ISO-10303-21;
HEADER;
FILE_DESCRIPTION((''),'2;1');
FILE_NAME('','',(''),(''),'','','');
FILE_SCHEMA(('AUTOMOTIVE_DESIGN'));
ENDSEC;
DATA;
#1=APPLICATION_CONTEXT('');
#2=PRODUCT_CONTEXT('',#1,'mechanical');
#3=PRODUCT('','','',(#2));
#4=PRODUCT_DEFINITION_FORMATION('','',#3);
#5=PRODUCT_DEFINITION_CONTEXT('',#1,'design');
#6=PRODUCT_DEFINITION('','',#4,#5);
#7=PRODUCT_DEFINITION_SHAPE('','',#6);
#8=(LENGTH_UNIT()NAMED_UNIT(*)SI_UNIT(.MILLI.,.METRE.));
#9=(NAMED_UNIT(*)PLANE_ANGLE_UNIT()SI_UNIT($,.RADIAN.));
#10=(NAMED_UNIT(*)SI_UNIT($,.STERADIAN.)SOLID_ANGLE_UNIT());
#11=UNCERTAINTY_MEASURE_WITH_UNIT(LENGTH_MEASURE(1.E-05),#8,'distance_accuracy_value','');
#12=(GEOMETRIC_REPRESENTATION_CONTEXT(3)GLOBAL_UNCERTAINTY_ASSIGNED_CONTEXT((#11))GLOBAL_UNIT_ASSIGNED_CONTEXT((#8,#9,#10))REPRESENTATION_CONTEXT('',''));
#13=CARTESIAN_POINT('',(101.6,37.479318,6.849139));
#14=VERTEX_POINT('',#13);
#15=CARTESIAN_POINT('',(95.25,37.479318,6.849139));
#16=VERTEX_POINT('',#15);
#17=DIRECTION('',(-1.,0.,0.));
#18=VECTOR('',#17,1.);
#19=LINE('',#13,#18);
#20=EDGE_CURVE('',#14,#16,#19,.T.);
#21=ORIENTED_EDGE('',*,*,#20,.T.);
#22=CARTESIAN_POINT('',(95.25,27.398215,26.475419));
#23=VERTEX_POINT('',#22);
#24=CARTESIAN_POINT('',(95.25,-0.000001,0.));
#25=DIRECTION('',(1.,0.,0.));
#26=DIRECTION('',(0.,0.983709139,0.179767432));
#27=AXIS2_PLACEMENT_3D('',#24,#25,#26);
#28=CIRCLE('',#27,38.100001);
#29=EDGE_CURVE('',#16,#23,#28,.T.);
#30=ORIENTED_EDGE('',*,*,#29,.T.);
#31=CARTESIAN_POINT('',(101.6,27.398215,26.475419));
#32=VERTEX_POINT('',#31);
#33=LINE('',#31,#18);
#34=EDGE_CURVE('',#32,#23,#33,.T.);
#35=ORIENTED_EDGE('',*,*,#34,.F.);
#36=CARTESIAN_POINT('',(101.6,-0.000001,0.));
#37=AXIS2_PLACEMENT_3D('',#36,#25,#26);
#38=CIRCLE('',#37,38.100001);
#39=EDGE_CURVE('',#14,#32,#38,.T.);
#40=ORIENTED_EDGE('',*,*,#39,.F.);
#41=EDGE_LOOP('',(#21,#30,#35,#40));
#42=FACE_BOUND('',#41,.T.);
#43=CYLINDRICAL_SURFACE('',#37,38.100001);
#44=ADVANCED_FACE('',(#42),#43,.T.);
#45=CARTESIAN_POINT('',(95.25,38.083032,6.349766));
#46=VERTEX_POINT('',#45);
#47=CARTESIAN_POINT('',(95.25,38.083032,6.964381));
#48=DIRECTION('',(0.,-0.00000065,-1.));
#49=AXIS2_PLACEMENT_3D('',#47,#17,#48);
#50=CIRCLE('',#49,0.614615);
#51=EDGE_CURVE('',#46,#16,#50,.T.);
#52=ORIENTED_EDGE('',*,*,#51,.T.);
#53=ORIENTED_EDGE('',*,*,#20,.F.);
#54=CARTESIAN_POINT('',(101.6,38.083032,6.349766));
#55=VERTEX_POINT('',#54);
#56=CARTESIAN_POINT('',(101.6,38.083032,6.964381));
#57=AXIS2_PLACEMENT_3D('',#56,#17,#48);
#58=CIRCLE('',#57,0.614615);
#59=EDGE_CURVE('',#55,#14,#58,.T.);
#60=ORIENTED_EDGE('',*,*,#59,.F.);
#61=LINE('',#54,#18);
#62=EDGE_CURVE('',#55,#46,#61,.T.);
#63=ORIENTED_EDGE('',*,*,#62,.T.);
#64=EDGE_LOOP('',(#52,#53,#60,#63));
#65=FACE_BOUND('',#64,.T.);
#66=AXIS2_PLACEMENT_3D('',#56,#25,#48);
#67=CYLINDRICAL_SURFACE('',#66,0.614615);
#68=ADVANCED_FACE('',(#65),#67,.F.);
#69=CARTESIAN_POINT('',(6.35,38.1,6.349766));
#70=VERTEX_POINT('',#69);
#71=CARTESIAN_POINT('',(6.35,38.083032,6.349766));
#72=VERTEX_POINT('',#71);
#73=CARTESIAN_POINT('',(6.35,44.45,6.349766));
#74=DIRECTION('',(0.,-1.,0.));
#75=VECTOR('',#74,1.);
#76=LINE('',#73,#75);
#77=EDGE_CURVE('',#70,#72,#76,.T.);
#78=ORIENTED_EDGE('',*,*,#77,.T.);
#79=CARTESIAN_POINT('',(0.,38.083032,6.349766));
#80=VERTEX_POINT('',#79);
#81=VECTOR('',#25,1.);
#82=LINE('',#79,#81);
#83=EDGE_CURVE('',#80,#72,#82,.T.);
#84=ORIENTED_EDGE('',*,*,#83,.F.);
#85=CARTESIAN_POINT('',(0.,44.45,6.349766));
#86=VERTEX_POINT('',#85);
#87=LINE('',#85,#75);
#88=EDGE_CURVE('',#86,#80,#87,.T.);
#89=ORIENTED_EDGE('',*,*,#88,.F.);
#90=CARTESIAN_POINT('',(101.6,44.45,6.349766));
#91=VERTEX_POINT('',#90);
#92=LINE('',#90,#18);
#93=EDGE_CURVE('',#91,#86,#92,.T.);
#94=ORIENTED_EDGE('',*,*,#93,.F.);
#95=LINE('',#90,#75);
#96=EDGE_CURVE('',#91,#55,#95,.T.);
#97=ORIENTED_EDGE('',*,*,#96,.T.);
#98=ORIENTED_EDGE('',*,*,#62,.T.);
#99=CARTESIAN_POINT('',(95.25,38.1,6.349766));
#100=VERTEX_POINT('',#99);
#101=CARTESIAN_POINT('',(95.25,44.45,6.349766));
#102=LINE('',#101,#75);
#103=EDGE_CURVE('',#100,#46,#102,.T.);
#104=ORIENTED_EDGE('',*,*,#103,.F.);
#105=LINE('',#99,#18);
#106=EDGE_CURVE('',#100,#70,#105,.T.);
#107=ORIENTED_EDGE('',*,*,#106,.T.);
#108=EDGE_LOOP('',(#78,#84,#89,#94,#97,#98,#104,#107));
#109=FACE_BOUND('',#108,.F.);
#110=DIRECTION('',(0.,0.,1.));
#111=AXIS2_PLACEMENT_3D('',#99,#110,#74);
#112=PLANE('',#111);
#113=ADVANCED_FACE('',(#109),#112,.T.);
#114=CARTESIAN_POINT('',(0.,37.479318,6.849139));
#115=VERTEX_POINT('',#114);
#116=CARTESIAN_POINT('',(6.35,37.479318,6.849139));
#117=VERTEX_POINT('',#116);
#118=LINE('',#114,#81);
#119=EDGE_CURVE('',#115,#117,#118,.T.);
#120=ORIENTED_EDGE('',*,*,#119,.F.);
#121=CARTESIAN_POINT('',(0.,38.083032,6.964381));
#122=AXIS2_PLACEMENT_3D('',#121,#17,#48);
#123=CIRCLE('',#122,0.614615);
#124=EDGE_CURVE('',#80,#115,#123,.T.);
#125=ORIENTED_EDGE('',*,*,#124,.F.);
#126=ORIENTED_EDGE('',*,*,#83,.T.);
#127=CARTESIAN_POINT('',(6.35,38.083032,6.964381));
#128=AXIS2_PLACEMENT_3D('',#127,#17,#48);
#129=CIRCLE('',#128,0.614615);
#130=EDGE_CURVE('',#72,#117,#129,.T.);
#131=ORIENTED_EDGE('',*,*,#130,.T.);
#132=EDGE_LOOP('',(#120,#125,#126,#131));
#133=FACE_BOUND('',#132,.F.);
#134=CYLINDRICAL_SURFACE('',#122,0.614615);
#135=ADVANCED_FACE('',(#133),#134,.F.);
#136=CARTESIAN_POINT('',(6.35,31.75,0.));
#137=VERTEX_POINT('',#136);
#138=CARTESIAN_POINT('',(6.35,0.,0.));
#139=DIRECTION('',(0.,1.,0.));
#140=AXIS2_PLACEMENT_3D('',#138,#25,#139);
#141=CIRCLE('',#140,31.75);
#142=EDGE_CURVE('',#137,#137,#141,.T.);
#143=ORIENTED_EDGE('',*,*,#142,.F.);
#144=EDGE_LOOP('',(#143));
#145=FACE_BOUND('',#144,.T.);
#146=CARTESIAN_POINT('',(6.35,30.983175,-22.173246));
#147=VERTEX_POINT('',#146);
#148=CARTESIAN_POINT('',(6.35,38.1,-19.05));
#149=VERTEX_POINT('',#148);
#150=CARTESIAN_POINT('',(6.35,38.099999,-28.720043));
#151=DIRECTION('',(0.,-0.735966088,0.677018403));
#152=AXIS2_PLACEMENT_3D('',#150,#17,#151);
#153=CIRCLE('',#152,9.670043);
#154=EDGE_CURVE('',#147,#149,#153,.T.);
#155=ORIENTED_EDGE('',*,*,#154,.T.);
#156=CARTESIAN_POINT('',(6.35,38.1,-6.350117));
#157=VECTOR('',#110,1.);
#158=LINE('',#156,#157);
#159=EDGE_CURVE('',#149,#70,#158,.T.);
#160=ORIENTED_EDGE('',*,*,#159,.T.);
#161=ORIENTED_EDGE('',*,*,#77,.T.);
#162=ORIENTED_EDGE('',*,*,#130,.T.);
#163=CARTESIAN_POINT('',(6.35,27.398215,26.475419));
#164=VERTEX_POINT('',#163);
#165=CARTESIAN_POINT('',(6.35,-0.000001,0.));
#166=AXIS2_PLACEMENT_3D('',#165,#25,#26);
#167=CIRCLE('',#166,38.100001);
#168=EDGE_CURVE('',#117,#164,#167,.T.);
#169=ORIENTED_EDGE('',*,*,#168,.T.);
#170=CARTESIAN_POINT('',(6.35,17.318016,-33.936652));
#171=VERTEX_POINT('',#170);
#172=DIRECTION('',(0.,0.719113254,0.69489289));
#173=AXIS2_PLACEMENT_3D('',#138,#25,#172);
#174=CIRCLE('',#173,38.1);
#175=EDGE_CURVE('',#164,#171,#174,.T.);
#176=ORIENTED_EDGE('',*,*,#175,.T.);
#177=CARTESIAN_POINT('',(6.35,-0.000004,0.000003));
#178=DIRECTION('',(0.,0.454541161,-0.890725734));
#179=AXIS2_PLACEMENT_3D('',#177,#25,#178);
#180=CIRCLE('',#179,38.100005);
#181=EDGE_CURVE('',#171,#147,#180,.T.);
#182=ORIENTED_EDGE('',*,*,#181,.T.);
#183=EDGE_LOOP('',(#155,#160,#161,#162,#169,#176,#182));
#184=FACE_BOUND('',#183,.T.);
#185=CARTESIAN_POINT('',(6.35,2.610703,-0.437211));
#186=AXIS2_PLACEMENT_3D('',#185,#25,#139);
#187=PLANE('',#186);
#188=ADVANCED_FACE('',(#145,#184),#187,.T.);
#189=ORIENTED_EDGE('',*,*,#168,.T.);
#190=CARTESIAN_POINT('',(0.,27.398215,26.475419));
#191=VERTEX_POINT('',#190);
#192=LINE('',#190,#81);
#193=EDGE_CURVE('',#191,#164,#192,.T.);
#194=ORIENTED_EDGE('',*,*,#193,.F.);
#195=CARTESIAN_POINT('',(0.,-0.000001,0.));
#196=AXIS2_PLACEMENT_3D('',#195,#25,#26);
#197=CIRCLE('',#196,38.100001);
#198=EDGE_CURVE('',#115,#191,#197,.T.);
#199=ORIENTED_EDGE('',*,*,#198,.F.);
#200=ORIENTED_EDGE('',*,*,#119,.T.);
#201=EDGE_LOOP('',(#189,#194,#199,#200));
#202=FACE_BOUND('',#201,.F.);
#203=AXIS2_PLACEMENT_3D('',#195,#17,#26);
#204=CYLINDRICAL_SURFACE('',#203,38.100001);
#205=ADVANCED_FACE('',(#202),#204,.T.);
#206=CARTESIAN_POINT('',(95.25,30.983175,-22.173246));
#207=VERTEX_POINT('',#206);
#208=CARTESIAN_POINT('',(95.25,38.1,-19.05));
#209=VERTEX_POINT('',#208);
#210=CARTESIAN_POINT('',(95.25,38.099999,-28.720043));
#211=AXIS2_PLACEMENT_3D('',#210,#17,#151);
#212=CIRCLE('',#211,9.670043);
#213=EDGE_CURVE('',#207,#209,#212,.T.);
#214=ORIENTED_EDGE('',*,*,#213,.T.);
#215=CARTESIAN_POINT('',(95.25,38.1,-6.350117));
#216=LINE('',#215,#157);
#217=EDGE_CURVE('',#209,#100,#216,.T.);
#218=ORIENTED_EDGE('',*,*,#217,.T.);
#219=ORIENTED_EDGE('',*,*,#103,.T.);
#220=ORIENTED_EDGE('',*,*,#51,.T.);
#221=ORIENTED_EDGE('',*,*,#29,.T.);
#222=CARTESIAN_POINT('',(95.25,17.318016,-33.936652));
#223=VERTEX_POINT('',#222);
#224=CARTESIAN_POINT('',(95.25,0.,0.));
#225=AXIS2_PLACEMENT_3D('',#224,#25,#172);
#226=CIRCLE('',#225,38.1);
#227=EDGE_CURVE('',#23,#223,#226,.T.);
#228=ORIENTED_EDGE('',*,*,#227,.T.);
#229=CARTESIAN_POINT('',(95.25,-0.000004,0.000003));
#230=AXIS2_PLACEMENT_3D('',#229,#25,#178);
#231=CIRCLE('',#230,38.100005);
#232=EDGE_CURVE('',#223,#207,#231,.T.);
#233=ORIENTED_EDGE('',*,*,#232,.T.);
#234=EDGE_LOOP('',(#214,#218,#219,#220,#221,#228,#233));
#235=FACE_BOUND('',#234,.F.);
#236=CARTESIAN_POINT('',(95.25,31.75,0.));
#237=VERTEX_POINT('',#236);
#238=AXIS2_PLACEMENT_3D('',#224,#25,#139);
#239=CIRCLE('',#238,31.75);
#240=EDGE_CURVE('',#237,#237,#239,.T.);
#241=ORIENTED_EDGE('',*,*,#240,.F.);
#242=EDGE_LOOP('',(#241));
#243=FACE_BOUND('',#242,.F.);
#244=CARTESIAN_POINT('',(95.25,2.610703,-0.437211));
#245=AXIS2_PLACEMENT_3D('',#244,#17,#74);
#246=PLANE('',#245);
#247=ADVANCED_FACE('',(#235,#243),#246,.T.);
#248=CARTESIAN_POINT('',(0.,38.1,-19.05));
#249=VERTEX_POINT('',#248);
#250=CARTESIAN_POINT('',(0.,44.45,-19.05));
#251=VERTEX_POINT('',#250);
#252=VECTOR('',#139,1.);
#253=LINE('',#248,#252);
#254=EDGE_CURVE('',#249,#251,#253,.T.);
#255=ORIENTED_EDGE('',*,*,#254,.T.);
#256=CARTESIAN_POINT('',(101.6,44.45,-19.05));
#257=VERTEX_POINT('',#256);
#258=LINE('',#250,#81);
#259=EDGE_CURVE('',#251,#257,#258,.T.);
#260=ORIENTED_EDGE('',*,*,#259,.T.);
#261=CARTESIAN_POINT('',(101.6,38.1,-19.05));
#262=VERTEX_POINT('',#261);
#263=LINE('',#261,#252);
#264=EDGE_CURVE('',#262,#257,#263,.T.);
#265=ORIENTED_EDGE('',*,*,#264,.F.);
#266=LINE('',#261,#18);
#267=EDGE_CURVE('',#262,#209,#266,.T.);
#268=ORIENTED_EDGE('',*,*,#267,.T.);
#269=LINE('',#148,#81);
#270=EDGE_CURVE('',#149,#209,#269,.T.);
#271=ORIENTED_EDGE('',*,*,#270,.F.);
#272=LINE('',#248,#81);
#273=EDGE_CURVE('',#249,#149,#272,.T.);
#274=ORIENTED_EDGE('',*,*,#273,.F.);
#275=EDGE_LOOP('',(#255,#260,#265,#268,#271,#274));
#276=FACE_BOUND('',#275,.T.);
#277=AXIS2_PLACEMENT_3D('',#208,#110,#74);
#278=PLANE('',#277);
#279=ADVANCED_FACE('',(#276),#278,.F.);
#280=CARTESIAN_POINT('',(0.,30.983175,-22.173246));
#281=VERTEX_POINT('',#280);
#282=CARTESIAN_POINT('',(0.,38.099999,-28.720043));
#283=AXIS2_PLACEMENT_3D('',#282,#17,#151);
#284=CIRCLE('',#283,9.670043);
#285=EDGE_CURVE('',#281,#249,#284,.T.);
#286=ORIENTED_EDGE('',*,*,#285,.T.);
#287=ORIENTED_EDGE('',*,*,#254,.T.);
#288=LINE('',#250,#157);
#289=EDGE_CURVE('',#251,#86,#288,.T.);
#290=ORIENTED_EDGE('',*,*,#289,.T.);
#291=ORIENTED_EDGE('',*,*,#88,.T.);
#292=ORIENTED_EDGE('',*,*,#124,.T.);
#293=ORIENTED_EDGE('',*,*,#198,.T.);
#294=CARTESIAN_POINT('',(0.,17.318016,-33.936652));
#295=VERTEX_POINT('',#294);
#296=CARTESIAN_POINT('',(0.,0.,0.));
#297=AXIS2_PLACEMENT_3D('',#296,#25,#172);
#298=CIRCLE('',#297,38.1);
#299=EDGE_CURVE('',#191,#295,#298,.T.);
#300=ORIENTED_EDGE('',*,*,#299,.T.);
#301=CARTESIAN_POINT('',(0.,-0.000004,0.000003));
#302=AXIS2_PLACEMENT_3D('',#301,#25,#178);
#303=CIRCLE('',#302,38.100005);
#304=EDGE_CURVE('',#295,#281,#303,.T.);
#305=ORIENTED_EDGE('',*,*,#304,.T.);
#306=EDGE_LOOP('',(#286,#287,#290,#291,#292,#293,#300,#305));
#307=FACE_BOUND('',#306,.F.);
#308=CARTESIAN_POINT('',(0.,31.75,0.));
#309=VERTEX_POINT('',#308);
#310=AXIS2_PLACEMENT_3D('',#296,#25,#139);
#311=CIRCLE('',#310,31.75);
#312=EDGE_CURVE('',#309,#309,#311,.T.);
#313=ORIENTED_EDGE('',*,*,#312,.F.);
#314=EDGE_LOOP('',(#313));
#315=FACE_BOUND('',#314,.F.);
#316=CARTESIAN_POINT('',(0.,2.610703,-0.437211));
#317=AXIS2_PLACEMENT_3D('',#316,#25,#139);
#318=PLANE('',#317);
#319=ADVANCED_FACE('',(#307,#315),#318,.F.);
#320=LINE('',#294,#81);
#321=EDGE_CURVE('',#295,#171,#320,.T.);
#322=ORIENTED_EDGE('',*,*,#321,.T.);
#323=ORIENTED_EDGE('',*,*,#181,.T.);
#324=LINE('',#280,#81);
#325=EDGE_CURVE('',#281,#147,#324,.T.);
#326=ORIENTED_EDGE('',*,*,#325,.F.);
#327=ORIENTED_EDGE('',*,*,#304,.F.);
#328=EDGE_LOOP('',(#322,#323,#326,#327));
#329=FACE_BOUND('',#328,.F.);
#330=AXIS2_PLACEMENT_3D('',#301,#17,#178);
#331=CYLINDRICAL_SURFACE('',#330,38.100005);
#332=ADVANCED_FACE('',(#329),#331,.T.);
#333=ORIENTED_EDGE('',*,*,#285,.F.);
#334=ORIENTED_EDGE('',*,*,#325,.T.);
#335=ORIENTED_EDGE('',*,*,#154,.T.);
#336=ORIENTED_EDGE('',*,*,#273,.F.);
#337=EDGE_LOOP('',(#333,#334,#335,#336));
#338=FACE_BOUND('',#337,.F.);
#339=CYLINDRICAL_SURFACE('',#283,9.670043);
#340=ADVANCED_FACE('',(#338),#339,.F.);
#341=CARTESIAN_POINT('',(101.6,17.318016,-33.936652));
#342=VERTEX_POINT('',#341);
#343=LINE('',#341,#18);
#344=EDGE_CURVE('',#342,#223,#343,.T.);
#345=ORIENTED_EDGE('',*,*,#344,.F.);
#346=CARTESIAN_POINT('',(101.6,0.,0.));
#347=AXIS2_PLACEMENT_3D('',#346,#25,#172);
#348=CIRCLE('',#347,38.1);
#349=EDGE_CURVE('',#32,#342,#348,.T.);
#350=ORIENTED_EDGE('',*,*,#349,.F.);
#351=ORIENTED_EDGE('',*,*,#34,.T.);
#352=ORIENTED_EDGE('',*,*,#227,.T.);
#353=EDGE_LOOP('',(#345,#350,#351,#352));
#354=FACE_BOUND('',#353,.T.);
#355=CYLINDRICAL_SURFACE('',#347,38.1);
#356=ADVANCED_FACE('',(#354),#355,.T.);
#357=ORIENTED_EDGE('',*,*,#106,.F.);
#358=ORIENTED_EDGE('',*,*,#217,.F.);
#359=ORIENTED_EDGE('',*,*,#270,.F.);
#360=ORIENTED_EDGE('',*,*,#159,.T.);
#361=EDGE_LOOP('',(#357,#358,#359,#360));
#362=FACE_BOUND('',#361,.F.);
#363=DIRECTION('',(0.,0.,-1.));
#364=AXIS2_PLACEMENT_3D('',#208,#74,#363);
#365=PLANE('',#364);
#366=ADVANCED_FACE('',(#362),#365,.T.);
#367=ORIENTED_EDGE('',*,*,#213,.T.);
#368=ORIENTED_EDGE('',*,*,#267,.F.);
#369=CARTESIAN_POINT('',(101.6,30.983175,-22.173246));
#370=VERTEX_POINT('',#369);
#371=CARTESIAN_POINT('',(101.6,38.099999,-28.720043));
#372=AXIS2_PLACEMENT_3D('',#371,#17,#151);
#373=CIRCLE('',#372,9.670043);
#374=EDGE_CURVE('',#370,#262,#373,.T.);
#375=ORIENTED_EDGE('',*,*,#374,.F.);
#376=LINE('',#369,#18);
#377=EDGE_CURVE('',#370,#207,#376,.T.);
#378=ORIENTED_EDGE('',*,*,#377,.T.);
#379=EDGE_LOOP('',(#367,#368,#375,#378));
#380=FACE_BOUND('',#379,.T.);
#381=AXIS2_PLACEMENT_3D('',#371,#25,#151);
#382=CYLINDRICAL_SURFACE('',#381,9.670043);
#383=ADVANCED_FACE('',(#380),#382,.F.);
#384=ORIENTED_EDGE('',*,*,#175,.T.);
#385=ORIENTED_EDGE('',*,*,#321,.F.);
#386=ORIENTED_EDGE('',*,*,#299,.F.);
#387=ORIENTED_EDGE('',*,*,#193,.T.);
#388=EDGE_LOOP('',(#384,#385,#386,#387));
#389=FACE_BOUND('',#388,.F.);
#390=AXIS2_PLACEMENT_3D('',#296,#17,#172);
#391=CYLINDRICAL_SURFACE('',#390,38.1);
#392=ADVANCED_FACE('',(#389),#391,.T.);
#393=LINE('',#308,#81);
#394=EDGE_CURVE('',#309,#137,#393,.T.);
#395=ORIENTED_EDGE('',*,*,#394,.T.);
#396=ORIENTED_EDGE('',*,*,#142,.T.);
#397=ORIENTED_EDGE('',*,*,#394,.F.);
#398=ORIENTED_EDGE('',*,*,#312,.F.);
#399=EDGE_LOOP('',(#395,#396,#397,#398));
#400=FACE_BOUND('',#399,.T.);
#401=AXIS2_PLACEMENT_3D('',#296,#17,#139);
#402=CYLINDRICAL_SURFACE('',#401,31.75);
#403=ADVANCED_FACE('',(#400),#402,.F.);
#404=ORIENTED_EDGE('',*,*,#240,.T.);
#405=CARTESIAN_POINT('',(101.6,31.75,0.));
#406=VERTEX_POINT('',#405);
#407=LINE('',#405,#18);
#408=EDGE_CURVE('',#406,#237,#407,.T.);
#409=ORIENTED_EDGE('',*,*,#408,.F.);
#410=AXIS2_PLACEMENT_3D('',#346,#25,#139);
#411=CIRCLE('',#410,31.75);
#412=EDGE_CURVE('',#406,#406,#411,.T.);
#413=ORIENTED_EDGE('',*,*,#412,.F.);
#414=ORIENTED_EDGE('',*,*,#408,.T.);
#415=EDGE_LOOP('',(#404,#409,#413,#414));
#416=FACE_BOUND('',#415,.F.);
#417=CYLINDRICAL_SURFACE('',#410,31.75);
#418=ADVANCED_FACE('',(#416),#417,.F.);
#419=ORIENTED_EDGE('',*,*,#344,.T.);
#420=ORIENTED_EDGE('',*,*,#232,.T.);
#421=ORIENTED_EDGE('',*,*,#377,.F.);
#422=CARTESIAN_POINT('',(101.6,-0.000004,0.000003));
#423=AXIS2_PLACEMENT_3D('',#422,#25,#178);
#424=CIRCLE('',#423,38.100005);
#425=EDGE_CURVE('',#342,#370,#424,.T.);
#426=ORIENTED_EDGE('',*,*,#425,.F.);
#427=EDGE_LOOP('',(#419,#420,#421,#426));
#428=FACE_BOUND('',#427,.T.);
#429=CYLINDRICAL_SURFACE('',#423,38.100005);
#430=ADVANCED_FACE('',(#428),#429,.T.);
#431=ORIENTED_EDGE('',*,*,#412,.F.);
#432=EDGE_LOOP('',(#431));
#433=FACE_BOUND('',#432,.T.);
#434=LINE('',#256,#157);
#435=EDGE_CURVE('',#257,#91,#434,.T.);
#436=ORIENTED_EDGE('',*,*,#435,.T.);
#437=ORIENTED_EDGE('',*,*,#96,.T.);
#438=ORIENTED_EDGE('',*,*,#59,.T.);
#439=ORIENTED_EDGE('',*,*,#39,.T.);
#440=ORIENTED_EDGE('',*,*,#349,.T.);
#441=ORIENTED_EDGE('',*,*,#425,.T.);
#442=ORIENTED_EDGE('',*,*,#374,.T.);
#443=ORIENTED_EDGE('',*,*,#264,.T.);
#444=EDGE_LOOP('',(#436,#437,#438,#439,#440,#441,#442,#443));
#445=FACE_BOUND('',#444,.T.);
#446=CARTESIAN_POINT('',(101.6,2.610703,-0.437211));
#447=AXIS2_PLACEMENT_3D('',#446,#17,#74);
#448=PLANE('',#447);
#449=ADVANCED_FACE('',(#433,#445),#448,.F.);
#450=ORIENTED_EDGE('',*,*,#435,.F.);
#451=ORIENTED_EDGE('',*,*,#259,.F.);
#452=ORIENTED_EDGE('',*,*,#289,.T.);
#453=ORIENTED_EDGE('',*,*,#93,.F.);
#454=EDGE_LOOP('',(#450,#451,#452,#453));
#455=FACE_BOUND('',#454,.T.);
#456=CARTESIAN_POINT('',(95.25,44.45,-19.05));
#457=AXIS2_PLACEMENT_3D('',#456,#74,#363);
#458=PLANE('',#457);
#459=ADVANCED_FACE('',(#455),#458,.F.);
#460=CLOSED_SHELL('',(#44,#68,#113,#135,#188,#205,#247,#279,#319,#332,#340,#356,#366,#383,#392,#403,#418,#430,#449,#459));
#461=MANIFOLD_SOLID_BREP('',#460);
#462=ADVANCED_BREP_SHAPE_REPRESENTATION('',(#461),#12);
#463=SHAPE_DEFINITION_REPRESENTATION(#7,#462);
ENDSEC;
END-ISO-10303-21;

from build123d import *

# Parameters (mm, degrees)
F0_R     = 31.75
F1_DEPTH = 6.35
F2_W     = 6.35
F2_H     = 25.399766
F3_DEPTH = 44.45


with BuildPart() as f1:
    # F0 (on Right) → F1 (new body)
    with BuildSketch(Plane.YZ):
        with BuildLine():
            ThreePointArc((37.479318, 6.849139), (33.890578, 17.408007), (27.398215, 26.475419))
            ThreePointArc((27.398215, 26.475419), (-37.580446, 6.270574), (17.318016, -33.936652))
            ThreePointArc((17.318016, -33.936652), (24.856502, -28.874977), (30.983175, -22.173246))
            ThreePointArc((30.983175, -22.173246), (36.27719, -11.64369), (38.1, 0))
            ThreePointArc((38.1, 0), (37.944512, 3.438602), (37.479318, 6.849139))
        make_face()
        Circle(F0_R, mode=Mode.SUBTRACT)
        with BuildLine():
            ThreePointArc((38.083032, 6.349766), (37.691291, 6.490788), (37.479318, 6.849139))
            ThreePointArc((37.479318, 6.849139), (37.944512, 3.438602), (38.1, 0))
            ThreePointArc((38.1, 0), (36.27719, -11.64369), (30.983175, -22.173246))
            ThreePointArc((30.983175, -22.173246), (34.214004, -19.86517), (38.1, -19.05))
            Line((38.1, -19.05), (44.45, -19.05))
            Line((44.45, -19.05), (44.45, 6.349766))
            Line((44.45, 6.349766), (38.083032, 6.349766))
        make_face()
    extrude(amount=F1_DEPTH)

    # F2 (on face) → F3 (join)
    with BuildSketch(Plane.YZ.offset(6.35)):
        with Locations((41.275, -6.350117)):
            Rectangle(F2_W, F2_H)
    extrude(amount=F3_DEPTH)

    # F4: F1 across face


with BuildPart() as f1_1:
    add(f1.part)
    add(f1.part.mirror(Plane(origin=(50.8, 41.275, -6.350117), x_dir=(0, 1, 0), z_dir=(1, 0, 0))))


solid = f1_1.part
